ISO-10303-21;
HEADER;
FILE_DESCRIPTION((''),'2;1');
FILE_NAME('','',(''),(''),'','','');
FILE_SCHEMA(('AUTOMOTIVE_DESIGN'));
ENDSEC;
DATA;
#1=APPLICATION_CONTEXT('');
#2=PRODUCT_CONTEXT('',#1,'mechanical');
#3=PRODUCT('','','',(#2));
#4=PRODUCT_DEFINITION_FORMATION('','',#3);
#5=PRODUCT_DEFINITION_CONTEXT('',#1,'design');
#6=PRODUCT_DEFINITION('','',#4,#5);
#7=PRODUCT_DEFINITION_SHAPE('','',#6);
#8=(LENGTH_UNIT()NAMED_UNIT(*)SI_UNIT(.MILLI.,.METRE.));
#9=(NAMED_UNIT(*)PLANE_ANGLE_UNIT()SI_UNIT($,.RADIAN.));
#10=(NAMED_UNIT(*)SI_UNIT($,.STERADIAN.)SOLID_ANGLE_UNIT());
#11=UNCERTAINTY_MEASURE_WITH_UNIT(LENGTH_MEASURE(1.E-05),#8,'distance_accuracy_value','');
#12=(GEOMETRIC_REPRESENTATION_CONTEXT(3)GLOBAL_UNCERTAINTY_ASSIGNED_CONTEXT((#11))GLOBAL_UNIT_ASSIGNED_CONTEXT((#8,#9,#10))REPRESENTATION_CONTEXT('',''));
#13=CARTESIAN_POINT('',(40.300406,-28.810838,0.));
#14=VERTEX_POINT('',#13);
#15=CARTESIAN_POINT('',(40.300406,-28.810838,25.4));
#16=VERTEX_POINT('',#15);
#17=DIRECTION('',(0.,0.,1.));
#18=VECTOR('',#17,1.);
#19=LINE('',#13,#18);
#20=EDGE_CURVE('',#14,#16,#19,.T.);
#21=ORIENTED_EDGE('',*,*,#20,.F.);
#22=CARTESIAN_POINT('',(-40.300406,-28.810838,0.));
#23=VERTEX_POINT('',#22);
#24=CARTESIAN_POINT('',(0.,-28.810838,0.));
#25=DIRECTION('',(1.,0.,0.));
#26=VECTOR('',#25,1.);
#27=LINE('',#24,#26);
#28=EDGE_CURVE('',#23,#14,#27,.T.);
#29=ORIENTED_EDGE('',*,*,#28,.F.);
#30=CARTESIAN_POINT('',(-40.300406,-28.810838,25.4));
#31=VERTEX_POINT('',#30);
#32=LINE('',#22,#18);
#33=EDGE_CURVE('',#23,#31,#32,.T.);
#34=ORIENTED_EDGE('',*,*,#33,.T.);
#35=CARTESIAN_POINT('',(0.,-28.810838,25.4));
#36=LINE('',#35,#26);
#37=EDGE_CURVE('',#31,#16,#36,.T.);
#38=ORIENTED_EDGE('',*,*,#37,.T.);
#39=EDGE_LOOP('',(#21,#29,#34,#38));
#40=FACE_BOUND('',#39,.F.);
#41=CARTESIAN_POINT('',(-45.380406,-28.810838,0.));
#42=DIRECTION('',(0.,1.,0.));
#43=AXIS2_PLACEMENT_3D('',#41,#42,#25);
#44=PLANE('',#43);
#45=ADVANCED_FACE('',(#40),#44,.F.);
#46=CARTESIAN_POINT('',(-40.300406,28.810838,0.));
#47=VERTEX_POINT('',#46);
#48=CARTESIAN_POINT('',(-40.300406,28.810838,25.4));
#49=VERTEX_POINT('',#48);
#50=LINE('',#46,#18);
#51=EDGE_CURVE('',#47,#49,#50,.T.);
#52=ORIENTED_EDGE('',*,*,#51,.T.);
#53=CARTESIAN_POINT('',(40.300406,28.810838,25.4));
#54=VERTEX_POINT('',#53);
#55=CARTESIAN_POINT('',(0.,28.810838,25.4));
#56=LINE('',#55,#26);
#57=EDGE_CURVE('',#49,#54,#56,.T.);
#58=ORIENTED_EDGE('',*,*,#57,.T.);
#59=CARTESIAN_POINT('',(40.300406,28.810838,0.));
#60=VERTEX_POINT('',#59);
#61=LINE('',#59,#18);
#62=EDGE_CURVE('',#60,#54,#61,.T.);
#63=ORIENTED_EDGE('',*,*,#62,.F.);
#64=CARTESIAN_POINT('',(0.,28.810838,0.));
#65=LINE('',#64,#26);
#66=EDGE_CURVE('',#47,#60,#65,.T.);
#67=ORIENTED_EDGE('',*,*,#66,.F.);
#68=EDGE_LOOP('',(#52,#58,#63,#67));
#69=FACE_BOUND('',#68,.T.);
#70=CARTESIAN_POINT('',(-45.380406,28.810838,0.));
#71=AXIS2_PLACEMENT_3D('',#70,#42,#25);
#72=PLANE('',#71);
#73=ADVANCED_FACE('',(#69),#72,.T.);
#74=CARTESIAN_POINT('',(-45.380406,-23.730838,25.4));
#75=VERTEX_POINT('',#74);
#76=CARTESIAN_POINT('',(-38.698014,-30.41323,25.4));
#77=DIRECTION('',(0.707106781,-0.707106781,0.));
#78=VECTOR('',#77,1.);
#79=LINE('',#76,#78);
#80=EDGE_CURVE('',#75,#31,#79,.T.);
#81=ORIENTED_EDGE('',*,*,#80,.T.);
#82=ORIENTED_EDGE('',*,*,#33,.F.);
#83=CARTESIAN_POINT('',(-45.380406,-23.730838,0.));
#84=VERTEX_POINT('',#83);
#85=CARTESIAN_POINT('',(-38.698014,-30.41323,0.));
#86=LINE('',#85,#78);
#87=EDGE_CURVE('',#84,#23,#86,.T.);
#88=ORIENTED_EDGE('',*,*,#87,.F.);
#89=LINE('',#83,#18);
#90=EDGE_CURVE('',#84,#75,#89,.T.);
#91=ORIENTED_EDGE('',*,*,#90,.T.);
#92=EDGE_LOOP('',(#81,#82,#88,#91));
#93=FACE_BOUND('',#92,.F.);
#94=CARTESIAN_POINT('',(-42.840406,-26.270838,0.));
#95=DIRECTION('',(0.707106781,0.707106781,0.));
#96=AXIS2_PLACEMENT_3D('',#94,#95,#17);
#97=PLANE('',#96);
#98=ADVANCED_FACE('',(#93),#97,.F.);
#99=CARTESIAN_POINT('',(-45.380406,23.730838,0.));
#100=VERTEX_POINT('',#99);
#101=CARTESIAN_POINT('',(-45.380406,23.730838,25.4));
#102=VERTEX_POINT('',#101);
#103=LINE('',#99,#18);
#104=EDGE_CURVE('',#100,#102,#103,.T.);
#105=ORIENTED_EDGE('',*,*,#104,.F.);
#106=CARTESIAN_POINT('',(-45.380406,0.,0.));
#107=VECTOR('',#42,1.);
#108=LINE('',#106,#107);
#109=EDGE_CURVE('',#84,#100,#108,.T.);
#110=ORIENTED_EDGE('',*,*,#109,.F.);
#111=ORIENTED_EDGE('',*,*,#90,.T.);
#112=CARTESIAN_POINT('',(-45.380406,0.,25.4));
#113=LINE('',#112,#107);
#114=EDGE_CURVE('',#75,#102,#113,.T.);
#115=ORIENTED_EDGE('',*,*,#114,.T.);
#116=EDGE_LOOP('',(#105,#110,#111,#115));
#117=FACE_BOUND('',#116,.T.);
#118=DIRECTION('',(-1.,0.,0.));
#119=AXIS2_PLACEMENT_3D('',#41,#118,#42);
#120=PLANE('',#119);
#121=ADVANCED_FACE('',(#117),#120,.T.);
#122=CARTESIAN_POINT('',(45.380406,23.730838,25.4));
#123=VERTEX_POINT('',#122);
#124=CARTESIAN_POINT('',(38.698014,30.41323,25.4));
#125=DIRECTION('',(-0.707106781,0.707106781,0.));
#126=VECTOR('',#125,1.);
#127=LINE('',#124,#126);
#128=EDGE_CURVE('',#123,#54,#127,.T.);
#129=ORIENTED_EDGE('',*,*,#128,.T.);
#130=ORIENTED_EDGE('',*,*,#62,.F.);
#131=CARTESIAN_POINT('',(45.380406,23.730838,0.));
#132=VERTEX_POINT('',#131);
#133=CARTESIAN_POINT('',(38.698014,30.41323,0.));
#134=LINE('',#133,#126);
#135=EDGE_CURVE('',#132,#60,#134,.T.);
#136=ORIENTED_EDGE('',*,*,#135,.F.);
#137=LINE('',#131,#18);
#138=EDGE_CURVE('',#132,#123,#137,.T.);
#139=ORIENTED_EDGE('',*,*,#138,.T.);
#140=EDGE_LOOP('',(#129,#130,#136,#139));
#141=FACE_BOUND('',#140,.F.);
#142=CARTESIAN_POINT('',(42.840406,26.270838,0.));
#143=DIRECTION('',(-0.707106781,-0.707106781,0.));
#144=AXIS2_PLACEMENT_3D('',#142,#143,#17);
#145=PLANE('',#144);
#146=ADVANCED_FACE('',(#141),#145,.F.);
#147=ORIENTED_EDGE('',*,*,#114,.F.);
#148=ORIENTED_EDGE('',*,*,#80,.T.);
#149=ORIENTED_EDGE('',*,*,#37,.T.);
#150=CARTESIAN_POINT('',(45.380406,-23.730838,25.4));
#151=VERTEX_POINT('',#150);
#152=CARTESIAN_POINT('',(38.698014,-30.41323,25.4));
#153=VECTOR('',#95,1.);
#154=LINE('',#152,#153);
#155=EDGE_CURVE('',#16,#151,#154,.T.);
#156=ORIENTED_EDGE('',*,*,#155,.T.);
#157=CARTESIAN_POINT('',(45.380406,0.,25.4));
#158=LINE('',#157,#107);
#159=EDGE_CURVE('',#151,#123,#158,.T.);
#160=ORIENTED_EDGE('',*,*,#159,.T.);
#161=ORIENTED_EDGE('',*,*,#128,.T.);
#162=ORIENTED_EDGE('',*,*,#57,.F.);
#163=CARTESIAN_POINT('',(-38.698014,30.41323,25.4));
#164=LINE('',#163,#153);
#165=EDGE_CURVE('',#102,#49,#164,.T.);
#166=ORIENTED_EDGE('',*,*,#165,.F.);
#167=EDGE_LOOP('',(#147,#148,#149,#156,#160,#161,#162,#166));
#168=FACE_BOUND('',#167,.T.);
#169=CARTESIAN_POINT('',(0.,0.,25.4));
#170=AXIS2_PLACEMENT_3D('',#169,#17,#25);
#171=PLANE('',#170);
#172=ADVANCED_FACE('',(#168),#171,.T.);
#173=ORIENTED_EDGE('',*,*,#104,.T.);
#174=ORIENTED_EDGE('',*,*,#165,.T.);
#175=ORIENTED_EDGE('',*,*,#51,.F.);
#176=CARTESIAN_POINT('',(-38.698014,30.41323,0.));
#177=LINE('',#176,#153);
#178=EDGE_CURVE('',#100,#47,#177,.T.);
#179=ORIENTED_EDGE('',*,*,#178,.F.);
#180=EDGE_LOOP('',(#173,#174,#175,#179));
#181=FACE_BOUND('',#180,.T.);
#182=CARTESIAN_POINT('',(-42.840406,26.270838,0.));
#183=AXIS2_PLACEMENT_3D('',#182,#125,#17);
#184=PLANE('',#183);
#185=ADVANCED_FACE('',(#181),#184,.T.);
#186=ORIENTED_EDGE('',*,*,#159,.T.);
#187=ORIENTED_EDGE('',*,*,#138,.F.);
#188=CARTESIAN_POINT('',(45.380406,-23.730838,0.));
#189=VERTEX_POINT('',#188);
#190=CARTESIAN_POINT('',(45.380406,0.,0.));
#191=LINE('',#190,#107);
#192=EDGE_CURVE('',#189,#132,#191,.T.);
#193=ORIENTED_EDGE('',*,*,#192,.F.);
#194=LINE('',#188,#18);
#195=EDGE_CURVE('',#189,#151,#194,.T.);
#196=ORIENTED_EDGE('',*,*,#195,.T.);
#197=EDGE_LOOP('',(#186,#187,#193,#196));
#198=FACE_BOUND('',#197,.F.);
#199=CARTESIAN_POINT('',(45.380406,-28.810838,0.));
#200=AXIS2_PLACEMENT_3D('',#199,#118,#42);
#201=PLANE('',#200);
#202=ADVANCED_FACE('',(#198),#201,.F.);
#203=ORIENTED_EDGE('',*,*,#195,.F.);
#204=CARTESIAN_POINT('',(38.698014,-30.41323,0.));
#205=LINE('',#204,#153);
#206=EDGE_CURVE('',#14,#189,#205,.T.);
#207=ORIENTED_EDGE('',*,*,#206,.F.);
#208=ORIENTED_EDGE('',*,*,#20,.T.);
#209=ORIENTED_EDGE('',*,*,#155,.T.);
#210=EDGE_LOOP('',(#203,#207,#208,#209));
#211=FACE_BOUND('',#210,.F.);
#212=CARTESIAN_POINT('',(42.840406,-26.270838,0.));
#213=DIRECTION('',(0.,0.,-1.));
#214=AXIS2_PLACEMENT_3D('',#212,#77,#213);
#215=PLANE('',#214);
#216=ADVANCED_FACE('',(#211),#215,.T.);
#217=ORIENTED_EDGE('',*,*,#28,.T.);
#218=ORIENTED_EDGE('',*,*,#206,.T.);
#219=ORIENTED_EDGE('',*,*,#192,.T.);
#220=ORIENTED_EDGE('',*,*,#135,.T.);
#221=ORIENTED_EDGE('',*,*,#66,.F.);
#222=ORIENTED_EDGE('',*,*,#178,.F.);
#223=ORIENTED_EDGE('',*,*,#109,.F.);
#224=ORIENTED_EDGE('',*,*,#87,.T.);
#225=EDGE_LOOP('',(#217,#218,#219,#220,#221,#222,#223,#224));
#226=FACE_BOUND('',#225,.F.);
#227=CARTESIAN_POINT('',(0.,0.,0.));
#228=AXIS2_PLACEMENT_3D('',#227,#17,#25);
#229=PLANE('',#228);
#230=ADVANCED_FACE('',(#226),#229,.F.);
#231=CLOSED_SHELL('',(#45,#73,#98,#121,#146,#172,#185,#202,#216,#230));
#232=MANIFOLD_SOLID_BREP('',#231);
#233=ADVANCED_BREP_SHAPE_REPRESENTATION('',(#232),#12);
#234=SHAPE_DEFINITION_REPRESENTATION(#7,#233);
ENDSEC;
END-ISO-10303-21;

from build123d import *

# Parameters (mm, degrees)
F0_W     = 90.760812
F0_H     = 57.621676
F1_DEPTH = 25.4
F2_SIZE  = 5.08


with BuildPart() as f1:
    # F0 (on Top) → F1 (new body)
    with BuildSketch(Plane.XY):
        Rectangle(F0_W, F0_H)
    extrude(amount=F1_DEPTH)

    # F2
    f2_edges = [f1.edges().sort_by_distance(p)[0] for p in [
        (45.380406, -28.810838, 12.7),
        (45.380406, 28.810838, 12.7),
        (-45.380406, -28.810838, 12.7),
        (-45.380406, 28.810838, 12.7),
    ]]
    chamfer(f2_edges, length=F2_SIZE)


solid = f1.part
